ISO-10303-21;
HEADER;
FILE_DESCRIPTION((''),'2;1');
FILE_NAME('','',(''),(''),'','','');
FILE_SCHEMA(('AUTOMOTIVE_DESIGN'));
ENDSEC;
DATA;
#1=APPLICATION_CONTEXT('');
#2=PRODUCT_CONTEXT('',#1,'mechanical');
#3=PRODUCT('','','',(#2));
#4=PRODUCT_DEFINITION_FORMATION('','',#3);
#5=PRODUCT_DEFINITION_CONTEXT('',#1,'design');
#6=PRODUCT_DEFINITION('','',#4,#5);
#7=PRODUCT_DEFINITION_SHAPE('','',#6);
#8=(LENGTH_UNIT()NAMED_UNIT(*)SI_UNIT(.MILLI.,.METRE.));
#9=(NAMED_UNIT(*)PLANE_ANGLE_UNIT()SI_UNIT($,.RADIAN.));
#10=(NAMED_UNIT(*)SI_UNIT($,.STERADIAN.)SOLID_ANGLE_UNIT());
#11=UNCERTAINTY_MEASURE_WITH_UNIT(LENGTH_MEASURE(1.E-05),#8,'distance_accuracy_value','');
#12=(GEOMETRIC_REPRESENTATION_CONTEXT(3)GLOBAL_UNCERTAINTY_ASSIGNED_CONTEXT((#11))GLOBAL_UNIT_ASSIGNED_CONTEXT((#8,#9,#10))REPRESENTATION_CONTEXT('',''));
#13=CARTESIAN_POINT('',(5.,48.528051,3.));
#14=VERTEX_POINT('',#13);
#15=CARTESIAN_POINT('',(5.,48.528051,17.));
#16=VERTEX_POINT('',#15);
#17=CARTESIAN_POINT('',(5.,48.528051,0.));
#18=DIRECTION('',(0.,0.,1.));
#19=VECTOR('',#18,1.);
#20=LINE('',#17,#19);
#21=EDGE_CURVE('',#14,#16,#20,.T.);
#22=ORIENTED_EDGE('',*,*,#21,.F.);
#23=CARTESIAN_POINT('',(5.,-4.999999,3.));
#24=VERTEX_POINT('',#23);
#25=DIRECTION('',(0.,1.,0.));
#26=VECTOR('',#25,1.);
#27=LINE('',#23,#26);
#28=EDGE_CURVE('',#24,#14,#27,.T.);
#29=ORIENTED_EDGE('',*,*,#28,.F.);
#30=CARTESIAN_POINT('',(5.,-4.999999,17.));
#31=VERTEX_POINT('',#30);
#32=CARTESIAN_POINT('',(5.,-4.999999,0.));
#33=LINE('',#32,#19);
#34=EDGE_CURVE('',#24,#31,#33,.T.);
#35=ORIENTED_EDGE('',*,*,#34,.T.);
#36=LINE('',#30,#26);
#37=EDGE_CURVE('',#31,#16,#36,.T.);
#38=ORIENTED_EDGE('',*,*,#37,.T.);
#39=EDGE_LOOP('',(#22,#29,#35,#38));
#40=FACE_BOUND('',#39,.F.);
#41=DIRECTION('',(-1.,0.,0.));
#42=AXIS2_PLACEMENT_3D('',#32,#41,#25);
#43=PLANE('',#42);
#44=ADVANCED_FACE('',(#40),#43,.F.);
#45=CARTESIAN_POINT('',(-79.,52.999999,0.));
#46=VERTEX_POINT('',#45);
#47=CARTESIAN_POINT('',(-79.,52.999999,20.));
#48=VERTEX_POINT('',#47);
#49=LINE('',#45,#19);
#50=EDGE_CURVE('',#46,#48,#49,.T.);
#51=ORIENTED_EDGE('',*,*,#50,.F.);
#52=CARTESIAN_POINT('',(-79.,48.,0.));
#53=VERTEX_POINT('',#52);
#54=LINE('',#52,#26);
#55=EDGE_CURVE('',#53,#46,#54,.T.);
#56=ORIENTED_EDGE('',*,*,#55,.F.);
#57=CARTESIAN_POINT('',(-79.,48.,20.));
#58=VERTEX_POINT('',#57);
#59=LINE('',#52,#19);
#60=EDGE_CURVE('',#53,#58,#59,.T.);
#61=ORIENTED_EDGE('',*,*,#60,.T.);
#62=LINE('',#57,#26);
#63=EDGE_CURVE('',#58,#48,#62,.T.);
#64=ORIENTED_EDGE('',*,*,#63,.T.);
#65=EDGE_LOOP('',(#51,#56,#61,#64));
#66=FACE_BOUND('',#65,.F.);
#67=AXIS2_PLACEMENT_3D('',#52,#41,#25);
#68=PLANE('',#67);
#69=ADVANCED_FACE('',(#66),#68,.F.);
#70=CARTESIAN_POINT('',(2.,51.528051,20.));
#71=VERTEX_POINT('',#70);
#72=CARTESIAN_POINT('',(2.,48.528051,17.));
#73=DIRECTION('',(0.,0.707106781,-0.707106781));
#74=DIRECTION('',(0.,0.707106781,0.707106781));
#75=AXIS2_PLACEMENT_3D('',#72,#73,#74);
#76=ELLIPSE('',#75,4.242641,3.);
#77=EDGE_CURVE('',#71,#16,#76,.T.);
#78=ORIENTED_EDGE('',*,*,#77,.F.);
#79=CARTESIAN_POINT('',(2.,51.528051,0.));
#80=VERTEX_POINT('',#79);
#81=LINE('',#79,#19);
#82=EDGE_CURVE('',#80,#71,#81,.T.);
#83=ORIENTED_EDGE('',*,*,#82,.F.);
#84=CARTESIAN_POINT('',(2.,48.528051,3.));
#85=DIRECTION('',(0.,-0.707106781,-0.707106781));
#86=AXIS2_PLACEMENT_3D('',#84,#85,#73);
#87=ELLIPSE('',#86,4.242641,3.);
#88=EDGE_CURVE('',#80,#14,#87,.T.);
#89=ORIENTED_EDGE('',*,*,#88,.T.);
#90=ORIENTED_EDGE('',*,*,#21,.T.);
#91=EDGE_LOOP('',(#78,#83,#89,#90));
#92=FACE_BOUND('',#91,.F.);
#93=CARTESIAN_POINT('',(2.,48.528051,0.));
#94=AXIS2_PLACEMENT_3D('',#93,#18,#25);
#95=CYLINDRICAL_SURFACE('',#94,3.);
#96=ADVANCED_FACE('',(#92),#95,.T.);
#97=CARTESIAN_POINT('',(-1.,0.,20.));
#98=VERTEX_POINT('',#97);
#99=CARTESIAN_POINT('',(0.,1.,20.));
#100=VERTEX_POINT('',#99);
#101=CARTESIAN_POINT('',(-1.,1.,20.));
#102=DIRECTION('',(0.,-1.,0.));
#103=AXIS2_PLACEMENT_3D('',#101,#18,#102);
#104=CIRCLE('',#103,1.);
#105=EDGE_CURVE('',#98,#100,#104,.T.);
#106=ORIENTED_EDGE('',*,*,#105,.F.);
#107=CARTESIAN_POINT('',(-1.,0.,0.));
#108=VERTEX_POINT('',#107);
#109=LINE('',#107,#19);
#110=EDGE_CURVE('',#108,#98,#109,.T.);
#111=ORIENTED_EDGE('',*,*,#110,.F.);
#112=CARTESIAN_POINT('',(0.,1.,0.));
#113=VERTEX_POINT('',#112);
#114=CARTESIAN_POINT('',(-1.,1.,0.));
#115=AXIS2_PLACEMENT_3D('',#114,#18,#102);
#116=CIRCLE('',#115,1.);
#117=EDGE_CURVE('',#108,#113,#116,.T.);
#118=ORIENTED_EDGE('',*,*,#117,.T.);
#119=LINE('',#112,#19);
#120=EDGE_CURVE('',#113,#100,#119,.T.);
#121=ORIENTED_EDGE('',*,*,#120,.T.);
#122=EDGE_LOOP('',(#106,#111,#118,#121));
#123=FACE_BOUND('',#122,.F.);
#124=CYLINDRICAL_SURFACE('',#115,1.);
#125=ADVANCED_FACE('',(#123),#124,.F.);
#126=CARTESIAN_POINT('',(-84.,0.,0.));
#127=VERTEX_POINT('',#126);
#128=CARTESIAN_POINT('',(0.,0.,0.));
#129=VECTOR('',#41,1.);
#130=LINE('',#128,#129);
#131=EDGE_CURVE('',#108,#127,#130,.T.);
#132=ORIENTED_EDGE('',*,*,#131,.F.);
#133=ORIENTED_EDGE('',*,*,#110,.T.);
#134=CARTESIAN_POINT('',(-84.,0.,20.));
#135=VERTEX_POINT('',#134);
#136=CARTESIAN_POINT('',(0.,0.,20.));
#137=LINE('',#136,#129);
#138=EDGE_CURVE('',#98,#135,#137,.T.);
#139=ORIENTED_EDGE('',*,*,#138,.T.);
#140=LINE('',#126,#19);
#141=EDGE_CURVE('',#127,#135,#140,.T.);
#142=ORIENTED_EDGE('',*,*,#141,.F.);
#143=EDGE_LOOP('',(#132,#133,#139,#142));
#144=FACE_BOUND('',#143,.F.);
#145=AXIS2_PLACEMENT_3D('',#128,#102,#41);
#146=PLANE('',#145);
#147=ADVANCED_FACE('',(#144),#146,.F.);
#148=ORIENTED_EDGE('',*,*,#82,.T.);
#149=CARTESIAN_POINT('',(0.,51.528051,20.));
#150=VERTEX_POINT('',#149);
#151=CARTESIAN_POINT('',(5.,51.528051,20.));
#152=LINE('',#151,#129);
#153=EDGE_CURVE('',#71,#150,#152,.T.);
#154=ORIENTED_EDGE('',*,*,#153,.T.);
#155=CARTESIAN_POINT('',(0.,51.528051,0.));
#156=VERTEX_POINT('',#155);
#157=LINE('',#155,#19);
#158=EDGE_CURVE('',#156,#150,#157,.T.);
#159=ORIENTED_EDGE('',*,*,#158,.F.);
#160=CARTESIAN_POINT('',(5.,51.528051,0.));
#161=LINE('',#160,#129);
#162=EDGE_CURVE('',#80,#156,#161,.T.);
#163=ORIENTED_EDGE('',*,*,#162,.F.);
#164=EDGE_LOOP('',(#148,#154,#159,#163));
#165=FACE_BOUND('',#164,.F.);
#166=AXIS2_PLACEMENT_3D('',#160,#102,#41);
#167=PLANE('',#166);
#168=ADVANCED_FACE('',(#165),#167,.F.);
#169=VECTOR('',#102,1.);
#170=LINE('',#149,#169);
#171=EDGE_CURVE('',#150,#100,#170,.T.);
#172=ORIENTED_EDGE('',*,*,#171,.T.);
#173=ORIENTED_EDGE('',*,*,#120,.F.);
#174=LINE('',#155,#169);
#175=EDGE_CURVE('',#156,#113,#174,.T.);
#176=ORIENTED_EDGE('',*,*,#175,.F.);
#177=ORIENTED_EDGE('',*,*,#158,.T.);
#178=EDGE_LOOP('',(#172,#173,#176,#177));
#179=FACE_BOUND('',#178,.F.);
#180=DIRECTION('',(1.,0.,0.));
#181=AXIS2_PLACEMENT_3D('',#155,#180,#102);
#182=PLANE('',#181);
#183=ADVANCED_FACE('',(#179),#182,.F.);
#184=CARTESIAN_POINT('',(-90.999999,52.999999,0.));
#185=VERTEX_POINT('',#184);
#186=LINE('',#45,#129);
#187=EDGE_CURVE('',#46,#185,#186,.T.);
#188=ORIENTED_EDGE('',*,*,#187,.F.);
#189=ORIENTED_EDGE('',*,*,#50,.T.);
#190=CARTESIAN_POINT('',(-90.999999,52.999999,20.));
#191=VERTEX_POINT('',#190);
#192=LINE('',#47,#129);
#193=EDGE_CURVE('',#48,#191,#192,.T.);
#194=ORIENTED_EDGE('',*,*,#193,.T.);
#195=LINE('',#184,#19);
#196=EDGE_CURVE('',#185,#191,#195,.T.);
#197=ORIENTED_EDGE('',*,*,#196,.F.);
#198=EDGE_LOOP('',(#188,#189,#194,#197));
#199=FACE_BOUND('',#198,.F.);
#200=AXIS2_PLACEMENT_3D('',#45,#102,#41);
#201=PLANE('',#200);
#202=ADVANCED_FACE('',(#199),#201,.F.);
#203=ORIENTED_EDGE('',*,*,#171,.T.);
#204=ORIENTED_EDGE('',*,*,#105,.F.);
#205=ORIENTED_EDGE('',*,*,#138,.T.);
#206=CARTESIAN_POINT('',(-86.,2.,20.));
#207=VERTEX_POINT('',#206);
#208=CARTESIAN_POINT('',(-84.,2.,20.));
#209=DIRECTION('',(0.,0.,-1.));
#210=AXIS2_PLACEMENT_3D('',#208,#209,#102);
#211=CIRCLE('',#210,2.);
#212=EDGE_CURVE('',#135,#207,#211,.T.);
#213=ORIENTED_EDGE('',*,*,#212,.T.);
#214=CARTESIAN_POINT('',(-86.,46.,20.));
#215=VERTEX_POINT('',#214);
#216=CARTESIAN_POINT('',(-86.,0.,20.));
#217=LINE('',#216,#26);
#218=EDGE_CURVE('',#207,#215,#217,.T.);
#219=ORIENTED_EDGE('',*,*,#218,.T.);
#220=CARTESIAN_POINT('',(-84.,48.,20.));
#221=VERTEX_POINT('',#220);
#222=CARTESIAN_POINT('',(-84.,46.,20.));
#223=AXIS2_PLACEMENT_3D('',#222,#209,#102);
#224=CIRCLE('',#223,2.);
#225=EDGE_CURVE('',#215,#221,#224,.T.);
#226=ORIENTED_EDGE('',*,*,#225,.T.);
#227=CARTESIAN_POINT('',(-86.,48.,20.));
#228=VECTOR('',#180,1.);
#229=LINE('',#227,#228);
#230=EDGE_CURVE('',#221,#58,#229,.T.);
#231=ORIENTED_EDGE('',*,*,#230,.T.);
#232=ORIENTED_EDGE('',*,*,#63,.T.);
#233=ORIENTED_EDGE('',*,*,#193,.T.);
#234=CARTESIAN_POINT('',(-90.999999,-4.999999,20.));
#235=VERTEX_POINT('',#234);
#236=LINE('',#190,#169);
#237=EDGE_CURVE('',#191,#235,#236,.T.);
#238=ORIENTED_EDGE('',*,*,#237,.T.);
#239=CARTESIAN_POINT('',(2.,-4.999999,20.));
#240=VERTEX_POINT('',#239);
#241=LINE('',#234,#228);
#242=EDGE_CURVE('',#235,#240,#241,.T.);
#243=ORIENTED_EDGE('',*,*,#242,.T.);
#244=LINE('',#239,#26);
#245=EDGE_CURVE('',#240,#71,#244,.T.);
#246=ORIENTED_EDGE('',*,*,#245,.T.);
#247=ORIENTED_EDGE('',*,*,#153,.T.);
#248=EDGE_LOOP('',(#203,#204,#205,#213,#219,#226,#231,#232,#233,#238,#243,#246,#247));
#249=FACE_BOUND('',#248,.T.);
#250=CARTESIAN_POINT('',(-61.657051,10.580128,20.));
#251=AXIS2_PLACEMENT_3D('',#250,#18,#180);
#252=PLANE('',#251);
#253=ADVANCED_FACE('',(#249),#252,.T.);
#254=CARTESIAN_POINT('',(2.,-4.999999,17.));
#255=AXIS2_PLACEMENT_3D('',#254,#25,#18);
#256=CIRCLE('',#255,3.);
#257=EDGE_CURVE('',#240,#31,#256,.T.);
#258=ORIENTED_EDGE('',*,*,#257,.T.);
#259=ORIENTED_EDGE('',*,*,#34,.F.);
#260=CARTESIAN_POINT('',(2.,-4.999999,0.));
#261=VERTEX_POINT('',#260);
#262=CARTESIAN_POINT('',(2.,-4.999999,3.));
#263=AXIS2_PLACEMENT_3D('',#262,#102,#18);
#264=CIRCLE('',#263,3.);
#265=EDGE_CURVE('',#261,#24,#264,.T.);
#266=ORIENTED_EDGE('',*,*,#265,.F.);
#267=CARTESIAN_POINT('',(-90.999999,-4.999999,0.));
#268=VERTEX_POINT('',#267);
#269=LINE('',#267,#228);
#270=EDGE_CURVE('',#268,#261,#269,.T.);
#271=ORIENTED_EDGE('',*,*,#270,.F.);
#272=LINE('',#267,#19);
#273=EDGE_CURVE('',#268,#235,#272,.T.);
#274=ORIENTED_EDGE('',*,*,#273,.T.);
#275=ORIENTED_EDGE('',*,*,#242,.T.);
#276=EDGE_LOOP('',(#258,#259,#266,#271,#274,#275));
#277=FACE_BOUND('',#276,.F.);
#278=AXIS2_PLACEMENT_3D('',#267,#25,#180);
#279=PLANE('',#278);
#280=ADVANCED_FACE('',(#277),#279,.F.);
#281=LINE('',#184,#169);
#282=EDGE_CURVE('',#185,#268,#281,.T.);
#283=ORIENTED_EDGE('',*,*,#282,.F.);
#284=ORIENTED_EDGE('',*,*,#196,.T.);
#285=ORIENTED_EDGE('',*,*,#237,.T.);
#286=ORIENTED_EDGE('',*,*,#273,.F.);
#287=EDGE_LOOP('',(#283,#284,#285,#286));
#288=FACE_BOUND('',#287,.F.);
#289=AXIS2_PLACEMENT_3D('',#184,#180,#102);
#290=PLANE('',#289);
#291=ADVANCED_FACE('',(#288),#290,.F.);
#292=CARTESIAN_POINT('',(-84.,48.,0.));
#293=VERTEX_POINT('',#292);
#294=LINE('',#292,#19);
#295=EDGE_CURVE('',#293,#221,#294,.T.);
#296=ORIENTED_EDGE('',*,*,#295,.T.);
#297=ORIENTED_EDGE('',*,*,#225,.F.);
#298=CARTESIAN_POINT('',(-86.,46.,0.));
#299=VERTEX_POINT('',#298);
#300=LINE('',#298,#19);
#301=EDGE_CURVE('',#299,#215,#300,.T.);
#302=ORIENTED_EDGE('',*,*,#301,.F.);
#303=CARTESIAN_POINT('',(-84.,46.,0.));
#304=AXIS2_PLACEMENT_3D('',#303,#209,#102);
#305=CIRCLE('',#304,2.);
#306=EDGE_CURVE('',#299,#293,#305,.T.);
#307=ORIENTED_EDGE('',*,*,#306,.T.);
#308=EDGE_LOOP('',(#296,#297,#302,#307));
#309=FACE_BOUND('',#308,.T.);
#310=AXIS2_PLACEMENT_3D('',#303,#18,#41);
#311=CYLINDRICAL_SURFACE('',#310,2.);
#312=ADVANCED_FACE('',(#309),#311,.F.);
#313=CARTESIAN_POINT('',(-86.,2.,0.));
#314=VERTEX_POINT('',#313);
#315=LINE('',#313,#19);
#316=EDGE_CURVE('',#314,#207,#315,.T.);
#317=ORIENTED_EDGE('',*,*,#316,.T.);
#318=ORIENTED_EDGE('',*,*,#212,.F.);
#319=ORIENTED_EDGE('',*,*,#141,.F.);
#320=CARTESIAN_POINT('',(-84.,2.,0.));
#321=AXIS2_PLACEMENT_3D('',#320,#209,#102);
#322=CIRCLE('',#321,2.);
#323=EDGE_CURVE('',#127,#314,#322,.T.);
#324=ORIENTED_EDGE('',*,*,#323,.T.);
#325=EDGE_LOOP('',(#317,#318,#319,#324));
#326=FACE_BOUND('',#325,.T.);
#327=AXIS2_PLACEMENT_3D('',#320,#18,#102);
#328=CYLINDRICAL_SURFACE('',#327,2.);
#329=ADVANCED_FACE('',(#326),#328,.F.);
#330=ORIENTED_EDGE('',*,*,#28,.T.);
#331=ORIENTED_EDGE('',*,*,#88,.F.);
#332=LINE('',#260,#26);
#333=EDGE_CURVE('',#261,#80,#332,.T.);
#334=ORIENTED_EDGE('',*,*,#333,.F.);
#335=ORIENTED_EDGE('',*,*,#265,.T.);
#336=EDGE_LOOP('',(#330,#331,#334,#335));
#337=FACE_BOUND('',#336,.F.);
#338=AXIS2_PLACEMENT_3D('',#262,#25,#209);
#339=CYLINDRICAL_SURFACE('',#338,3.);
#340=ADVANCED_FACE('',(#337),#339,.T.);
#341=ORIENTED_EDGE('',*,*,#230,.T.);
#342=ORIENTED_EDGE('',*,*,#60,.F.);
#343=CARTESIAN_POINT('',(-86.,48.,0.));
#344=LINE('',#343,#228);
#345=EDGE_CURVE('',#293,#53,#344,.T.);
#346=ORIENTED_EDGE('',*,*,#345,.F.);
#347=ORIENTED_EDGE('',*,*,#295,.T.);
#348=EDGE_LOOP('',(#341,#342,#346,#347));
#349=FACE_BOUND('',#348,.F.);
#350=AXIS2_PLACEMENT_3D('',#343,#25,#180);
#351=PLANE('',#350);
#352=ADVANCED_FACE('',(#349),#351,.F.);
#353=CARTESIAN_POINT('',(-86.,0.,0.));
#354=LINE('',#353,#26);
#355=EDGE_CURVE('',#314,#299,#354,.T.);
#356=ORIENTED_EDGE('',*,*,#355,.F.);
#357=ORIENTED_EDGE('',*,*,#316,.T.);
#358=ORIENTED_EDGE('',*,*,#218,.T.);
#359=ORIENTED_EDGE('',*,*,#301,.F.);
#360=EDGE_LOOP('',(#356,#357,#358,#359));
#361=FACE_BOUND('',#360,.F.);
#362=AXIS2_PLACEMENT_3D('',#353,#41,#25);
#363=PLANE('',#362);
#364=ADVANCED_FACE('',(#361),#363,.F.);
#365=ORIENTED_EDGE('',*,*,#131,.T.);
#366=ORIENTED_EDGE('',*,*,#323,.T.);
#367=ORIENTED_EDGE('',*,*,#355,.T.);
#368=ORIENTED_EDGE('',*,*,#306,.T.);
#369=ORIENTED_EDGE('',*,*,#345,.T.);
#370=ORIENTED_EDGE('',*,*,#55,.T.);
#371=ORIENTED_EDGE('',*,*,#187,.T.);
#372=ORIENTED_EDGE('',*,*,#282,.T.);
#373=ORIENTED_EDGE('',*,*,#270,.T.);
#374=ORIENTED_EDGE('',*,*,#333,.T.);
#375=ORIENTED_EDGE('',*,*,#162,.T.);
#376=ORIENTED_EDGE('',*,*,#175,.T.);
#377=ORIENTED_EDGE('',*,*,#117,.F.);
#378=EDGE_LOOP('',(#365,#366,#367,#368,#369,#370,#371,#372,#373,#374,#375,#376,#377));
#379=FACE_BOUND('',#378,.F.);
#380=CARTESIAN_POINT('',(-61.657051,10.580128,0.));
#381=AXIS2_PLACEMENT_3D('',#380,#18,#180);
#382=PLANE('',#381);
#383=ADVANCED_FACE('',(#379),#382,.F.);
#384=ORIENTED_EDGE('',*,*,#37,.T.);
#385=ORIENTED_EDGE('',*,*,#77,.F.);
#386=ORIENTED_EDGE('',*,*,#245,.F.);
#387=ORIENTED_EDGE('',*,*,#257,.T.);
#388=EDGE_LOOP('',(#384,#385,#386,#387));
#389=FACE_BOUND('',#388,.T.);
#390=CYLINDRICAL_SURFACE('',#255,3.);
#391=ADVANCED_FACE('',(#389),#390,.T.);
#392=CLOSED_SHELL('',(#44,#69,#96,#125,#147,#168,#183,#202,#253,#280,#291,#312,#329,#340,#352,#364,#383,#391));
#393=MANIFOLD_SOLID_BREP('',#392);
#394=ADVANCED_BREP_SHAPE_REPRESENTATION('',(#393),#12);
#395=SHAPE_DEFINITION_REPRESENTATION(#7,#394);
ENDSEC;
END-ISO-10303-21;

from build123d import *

# Parameters (mm, degrees)
F1_DEPTH = 20
F2_R     = 1
F3_R     = 2
F4_R     = 3


with BuildPart() as f1:
    # F0 (on Top) → F1 (new body)
    with BuildSketch(Plane.XY):
        Polygon((0, -4.999999), (0, 0), (-86, 0), (-86, 48), (-79, 48), (-79, 52.999999), (-90.999999, 52.999999), (-90.999999, -4.999999), align=None)
        Polygon((0, 51.528051), (0, 0), (0, -4.999999), (5, -4.999999), (5, 0), (5, 51.528051), align=None)
    extrude(amount=F1_DEPTH)

    # F2
    f2_edges = [f1.edges().sort_by_distance(p)[0] for p in [
        (0, 0, 10),
    ]]
    fillet(f2_edges, radius=F2_R)

    # F3
    f3_edges = [f1.edges().sort_by_distance(p)[0] for p in [
        (-86, 48, 10),
        (-86, 0, 10),
    ]]
    fillet(f3_edges, radius=F3_R)

    # F4
    f4_edges = [f1.edges().sort_by_distance(p)[0] for p in [
        (5, 23.264026, 0),
        (5, 51.528051, 10),
        (5, 23.264026, 20),
    ]]
    fillet(f4_edges, radius=F4_R)


solid = f1.part
